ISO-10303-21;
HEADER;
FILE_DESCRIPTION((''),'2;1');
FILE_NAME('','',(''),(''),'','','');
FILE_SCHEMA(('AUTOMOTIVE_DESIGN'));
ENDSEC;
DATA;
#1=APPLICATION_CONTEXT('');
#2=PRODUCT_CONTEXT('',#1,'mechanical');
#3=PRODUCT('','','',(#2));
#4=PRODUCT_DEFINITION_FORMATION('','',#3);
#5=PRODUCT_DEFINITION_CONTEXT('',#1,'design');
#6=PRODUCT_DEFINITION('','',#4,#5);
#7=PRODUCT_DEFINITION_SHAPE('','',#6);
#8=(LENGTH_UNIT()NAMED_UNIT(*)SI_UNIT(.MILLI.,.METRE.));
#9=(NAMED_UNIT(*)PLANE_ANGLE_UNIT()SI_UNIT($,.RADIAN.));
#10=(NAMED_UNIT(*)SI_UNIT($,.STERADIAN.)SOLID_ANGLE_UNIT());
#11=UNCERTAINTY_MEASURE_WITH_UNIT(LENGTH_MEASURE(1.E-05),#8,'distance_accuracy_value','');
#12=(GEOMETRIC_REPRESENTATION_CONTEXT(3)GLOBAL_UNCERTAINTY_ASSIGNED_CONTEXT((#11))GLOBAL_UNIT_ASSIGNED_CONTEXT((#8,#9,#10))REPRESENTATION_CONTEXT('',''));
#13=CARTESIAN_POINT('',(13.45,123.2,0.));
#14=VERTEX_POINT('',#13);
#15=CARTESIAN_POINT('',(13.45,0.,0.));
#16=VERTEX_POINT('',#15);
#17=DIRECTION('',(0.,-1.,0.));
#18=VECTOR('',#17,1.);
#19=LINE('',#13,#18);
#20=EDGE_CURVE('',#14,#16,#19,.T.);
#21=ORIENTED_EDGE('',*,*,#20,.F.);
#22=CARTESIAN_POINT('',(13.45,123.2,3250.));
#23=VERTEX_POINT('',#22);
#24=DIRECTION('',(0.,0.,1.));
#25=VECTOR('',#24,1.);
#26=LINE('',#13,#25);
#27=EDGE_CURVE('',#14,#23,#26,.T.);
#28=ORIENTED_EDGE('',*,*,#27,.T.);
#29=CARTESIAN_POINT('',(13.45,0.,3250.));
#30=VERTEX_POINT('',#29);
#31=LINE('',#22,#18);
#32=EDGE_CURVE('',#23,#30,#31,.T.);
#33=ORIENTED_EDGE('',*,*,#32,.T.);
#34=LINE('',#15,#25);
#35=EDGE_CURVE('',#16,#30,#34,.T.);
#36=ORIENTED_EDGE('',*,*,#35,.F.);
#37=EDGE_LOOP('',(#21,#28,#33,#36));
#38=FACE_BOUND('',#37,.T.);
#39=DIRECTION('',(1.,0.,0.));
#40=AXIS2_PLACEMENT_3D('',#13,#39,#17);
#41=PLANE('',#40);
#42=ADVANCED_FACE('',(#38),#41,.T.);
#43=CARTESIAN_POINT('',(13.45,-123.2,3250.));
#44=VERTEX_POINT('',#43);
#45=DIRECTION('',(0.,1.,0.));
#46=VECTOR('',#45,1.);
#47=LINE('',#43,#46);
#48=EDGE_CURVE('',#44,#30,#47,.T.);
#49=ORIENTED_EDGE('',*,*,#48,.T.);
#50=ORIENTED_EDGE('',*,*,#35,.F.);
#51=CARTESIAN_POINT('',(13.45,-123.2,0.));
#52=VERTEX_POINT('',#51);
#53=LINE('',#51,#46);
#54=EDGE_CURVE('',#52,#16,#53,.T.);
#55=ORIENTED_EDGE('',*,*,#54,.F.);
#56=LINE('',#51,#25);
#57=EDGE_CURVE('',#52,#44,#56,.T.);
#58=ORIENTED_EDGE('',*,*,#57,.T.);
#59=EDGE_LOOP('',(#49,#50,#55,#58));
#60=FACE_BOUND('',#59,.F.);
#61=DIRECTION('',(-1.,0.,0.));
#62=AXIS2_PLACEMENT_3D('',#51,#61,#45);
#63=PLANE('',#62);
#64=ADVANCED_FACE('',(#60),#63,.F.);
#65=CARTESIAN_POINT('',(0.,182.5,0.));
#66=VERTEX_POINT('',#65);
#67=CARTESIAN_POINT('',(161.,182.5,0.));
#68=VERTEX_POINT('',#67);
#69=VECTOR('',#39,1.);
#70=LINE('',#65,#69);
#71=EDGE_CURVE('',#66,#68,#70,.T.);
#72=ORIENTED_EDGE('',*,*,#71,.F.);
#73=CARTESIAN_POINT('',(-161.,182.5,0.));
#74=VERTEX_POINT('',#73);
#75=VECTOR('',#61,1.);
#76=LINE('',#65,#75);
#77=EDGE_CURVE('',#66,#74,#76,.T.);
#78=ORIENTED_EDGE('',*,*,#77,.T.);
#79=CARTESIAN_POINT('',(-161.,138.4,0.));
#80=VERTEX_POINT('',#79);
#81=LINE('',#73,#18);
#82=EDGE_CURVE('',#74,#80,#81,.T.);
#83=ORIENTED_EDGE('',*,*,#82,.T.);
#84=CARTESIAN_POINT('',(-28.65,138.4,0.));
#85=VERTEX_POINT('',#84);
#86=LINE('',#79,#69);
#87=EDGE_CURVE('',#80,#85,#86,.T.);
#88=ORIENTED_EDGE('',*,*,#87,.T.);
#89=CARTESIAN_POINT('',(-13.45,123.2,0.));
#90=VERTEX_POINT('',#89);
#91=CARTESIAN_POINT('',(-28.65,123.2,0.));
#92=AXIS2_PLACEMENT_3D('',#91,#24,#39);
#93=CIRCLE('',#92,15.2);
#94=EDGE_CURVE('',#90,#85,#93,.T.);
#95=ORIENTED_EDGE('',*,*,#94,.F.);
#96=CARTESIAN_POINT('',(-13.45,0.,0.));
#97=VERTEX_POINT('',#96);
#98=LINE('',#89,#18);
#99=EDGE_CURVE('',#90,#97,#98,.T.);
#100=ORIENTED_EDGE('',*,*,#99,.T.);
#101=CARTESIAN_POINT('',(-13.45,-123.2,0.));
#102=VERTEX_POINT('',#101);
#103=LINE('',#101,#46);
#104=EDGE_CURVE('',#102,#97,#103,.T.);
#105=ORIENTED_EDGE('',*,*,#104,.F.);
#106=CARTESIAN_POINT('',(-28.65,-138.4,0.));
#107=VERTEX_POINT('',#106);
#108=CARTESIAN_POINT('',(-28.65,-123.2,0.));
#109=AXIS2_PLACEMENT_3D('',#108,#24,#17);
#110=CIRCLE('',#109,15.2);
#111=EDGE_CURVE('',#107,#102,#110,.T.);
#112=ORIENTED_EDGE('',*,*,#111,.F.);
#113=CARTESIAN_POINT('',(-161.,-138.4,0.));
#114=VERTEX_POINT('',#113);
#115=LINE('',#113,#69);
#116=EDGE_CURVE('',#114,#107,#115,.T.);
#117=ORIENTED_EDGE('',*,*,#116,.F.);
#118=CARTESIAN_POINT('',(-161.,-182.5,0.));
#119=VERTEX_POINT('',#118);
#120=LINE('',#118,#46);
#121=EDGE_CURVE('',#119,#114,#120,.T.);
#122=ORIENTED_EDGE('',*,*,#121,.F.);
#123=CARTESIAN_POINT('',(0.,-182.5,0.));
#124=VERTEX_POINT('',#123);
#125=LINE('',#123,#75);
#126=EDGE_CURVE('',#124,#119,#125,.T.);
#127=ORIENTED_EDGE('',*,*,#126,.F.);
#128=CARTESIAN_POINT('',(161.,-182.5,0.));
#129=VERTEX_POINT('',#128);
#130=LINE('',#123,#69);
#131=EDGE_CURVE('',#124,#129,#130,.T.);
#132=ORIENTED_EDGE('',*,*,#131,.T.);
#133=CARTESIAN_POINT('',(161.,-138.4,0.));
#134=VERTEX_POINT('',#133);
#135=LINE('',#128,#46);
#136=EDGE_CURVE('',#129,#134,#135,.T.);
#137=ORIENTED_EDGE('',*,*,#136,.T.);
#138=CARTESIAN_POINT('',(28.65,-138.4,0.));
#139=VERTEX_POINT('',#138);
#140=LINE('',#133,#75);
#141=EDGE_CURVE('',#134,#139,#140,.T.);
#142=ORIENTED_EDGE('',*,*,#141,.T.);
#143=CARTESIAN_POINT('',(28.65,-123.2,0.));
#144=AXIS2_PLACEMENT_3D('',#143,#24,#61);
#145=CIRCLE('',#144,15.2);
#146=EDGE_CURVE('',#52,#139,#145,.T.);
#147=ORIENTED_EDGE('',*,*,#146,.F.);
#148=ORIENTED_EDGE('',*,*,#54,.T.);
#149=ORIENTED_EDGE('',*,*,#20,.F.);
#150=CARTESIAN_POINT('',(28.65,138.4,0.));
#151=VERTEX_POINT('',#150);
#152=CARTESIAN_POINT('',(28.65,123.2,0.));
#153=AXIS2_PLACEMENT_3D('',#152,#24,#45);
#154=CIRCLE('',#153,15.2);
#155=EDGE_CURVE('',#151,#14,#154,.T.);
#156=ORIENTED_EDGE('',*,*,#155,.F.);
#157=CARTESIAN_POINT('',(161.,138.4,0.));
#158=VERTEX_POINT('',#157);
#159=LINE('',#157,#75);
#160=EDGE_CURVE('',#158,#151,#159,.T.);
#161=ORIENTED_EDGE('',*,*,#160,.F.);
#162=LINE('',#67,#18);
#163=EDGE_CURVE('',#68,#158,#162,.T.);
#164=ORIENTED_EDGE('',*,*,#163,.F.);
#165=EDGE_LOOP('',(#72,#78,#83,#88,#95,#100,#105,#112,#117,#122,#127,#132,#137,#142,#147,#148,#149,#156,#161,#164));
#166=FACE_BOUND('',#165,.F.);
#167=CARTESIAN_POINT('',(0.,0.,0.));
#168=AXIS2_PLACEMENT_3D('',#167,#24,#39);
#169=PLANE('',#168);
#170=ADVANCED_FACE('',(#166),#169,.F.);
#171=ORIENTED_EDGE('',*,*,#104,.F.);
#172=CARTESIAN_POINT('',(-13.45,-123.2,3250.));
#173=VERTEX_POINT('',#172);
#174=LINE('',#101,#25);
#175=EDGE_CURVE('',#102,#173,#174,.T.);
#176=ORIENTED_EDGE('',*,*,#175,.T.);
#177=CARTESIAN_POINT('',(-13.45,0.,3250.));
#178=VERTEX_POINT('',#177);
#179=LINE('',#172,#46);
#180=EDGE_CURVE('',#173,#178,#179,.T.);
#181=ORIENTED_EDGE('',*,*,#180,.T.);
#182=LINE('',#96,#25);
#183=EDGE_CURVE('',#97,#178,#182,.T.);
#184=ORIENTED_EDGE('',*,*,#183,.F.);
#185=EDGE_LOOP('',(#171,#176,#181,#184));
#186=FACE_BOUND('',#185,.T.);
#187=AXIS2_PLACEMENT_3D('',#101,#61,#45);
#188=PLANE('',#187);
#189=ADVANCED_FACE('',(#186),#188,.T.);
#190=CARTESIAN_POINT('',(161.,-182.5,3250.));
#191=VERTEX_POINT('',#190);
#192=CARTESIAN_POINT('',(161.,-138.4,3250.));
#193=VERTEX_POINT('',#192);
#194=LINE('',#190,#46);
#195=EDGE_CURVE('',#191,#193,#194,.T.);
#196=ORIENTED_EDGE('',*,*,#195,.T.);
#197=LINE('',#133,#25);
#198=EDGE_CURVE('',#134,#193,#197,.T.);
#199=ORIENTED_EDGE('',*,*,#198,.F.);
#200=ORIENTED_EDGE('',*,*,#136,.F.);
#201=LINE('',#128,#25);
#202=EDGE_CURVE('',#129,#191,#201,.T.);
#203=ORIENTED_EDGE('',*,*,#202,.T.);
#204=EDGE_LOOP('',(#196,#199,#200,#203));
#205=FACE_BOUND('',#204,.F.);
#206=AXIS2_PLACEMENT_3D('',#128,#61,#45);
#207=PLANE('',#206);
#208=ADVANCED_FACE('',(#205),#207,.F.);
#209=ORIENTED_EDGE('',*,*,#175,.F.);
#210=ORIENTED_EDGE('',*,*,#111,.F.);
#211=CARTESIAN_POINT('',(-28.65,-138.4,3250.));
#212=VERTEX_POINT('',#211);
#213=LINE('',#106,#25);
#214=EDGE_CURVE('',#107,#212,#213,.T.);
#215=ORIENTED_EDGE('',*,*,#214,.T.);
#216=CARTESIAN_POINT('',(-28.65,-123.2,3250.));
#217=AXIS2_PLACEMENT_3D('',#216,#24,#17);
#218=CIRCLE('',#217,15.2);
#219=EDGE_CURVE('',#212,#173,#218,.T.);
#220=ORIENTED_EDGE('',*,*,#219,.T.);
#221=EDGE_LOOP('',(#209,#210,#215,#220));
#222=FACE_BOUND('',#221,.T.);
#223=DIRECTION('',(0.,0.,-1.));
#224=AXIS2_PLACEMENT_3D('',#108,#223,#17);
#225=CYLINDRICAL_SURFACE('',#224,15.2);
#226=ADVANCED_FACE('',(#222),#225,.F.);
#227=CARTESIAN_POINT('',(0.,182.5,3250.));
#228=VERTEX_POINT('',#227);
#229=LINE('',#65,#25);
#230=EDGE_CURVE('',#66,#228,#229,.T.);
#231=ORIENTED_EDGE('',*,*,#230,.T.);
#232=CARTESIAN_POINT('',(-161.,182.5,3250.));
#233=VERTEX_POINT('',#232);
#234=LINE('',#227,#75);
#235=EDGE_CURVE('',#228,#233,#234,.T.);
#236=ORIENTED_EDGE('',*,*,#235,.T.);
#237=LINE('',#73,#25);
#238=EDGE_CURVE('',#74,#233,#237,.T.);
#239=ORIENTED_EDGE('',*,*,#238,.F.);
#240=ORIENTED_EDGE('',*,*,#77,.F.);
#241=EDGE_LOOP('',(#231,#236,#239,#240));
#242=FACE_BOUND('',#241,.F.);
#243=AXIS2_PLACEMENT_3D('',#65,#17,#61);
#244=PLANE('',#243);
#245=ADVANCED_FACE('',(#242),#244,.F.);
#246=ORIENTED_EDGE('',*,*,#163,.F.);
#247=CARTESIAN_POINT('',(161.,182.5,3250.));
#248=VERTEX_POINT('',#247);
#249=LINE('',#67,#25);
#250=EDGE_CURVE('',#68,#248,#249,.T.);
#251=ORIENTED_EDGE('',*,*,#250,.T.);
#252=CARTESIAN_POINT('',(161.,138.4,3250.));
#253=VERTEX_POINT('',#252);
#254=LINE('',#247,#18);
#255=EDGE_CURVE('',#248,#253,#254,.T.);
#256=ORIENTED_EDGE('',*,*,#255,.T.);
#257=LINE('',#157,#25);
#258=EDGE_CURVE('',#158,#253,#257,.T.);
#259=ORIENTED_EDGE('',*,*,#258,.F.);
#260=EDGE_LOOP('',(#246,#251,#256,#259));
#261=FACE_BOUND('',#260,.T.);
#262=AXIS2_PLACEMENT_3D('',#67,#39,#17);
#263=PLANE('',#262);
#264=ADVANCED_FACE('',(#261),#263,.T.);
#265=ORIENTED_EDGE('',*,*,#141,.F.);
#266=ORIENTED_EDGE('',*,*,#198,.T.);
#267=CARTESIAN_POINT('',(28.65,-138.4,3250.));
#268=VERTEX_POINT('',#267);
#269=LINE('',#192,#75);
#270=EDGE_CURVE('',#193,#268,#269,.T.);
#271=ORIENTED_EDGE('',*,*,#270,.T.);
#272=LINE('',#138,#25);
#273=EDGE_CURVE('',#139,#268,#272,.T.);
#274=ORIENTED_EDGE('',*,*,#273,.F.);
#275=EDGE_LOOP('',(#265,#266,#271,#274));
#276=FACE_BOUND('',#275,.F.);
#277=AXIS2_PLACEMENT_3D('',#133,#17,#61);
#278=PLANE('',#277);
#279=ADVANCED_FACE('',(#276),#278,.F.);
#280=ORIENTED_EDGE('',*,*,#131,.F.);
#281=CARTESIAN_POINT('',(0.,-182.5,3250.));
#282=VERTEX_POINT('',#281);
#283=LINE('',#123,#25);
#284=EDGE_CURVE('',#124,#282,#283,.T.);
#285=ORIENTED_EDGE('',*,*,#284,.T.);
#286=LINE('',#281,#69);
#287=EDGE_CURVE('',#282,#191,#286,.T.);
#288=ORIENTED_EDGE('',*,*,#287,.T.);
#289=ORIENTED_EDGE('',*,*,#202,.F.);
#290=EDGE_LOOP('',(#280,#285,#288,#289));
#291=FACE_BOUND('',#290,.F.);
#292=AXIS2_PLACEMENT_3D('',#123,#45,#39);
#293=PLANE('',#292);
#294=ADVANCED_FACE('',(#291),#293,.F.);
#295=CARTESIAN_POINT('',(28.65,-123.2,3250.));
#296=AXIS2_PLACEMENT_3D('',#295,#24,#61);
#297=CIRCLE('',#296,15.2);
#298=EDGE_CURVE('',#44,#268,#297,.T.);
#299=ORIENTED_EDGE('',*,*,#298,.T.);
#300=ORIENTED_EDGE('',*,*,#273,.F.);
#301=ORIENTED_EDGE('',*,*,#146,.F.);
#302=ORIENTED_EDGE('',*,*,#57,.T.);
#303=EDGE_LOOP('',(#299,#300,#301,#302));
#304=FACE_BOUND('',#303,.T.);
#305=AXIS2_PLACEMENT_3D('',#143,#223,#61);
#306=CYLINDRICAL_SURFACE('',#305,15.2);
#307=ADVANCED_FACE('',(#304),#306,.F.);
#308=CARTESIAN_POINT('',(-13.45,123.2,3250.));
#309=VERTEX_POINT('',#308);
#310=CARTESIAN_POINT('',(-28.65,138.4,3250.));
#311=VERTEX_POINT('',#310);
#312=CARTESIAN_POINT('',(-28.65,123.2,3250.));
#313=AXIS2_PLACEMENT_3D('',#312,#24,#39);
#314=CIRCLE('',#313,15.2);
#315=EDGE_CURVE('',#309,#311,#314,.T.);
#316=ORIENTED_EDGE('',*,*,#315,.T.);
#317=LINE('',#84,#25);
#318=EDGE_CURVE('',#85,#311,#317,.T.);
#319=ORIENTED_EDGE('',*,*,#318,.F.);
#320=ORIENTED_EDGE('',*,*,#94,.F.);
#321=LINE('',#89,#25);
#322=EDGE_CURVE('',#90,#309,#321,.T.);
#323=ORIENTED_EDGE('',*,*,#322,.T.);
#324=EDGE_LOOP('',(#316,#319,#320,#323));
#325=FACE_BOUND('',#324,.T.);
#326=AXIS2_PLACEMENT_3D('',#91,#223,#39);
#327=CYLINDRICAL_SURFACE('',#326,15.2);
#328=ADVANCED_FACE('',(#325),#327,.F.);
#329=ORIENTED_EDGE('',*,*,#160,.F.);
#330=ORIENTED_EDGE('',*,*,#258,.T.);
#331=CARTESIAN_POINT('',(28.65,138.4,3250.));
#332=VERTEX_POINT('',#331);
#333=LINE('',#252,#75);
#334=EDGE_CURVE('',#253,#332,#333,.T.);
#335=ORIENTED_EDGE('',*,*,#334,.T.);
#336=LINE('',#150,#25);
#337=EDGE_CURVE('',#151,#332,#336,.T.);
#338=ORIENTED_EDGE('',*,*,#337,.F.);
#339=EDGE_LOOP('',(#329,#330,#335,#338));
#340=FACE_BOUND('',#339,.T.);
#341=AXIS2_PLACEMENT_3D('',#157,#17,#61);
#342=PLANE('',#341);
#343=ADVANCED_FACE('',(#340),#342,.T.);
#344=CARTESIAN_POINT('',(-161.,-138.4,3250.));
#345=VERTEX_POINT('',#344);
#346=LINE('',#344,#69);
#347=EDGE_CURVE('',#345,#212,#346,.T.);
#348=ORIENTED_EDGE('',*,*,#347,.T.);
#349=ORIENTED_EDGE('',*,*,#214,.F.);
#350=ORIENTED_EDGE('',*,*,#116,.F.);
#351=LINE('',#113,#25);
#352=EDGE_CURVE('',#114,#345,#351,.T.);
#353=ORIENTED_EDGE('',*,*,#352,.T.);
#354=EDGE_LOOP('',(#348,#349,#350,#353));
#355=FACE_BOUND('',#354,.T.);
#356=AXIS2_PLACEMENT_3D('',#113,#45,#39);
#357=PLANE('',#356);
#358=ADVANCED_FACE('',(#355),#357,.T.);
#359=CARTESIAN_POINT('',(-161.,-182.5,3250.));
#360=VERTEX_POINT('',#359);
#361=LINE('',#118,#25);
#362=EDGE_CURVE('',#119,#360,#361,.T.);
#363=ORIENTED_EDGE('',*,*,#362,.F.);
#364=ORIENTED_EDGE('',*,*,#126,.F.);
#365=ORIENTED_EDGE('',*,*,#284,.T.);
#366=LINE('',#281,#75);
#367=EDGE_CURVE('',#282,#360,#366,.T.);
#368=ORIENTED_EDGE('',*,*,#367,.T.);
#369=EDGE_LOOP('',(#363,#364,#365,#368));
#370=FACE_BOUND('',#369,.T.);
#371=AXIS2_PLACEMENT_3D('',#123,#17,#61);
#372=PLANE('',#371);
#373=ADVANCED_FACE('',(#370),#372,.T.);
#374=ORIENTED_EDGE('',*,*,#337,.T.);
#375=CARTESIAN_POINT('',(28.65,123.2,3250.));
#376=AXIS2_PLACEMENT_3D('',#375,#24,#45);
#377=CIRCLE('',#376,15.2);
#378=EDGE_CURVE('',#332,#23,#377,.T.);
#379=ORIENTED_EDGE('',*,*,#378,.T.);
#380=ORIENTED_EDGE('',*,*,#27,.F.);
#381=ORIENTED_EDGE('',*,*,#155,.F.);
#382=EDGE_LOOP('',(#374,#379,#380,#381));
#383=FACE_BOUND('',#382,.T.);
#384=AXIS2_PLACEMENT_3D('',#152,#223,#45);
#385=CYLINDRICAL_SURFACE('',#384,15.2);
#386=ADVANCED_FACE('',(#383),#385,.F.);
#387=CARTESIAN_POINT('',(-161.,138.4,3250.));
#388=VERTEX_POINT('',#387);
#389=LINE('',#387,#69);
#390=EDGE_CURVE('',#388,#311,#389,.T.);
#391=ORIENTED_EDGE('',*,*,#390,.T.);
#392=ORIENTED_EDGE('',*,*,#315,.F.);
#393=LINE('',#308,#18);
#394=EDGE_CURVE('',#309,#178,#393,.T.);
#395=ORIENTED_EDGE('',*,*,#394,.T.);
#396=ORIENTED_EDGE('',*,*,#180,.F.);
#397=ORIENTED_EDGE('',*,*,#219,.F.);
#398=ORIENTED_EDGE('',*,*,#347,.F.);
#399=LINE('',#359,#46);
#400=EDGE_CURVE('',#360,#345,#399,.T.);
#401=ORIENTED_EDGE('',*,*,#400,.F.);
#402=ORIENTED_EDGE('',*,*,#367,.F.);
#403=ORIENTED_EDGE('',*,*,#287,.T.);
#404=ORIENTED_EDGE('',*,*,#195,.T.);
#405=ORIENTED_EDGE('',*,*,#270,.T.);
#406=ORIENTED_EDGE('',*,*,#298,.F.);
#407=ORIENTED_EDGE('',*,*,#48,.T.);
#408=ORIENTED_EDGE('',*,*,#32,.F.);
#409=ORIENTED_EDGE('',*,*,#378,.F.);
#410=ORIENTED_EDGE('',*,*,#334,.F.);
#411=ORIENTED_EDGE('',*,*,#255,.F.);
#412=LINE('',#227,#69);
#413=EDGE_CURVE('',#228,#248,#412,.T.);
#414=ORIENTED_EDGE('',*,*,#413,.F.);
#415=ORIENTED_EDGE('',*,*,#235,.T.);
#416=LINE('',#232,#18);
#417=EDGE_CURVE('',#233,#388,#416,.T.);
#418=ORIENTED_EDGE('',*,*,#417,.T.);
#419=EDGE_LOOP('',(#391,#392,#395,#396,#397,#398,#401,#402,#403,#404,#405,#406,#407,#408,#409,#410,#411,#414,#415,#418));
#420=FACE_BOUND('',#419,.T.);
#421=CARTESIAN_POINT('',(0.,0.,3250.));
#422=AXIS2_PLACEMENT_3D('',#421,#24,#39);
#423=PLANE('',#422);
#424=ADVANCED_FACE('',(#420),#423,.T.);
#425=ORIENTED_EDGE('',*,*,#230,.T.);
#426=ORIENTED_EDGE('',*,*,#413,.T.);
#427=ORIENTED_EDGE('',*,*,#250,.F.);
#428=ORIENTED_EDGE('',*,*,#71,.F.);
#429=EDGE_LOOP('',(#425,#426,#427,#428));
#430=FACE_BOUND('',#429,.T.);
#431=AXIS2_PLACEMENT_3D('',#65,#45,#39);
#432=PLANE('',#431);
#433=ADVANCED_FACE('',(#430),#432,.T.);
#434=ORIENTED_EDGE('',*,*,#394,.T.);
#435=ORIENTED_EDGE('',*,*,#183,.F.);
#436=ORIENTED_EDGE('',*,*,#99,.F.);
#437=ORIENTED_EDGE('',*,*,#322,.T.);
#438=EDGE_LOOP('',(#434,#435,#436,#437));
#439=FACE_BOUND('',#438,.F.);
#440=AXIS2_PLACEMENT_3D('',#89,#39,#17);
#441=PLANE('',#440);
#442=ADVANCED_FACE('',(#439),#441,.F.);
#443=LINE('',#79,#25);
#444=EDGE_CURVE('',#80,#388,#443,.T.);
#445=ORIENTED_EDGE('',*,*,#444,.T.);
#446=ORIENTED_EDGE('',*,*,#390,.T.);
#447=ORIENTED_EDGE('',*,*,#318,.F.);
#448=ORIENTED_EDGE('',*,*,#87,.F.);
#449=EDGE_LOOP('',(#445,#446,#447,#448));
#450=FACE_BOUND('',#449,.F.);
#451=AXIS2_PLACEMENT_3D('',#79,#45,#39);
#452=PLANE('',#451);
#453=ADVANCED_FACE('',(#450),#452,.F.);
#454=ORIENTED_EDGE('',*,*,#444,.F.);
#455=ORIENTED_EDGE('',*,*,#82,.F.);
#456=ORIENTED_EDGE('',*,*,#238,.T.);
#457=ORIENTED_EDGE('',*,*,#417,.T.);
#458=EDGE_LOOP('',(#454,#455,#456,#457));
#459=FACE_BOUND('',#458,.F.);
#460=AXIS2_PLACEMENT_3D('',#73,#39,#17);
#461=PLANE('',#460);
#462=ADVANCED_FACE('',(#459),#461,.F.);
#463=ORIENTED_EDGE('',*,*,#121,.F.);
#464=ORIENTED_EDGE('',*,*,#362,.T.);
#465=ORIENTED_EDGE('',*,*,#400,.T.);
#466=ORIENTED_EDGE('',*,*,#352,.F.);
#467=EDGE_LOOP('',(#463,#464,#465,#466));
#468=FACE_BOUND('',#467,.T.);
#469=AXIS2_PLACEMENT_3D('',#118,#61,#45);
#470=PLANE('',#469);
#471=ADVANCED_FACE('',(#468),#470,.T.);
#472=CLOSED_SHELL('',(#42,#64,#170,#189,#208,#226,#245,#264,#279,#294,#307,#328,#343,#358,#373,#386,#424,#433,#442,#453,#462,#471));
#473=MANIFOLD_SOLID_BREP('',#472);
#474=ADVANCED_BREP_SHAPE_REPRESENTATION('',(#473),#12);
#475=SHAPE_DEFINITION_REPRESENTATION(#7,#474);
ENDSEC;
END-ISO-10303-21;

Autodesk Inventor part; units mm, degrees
ref_plane "YZ Plane" through (0, 0, 0) normal (1, 0, 0) x (0, 1, 0)
ref_plane "Start plane" through (0, 0, 0) normal (0, 0, 1) x (1, 0, 0)
ref_plane "End plane" through (0, 0, 3250) normal (0, 0, 1) x (1, 0, 0)
sketch "Sketch" plane through (0, 0, 0) normal (0, 0, 1) x (1, 0, 0)
  line L0 (-161, -182.5) -> (-161, -138.4)
  line L1 (-161, -138.4) -> (-28.65, -138.4)
  line L2 (-13.45, -123.2) -> (-13.45, 0)
  line L3 (-13.45, 0) -> (0, 0) construction
  line L4 (0, 0) -> (0, -182.5) construction
  line L5 (0, -182.5) -> (-161, -182.5)
  line L6 (-60, 0) -> (80, 0) construction
  line L7 (0, -60) -> (0, 80) construction
  line L8 (161, -182.5) -> (161, -138.4)
  line L9 (161, -138.4) -> (28.65, -138.4)
  line L10 (13.45, -123.2) -> (13.45, 0)
  line L11 (13.45, 0) -> (0, 0) construction
  line L12 (0, -182.5) -> (161, -182.5)
  line L13 (-161, 182.5) -> (-161, 138.4)
  line L14 (-161, 138.4) -> (-28.65, 138.4)
  line L15 (-13.45, 123.2) -> (-13.45, 0)
  line L16 (0, 182.5) -> (-161, 182.5)
  line L17 (161, 182.5) -> (161, 138.4)
  line L18 (161, 138.4) -> (28.65, 138.4)
  line L19 (0, 182.5) -> (161, 182.5)
  line L20 (13.45, 123.2) -> (13.45, 0)
  arc A0 (-13.45, 123.2) -> (-28.65, 138.4) centre (-28.65, 123.2) ccw
  arc A1 (28.65, 138.4) -> (13.45, 123.2) centre (28.65, 123.2) ccw
  arc A2 (13.45, -123.2) -> (28.65, -138.4) centre (28.65, -123.2) ccw
  arc A3 (-28.65, -138.4) -> (-13.45, -123.2) centre (-28.65, -123.2) ccw
  line L21 (0, 108) -> (0, -88) construction
  line L22 (-88, 0) -> (108, 0) construction
  point P0 (-13.45, -138.4)
  point P1 (13.45, -138.4)
  point P2 (-13.45, 138.4)
  point P3 (13.45, 138.4)
  dimension "d1" = 182.5
  dimension "d2" = 44.1
  dimension "d3" = 161
  dimension "d4" = 13.45
  dimension "d10" = 15.2
extrude "Body" add sketch "Sketch" along normal up to surface (3250 mm away) from surface at 0
sketch "Sketch4" plane through (0, 0, 0) normal (0, 0, 1) x (1, 0, 0)
  line L0 (0, 0) -> (10, 0)
ref_plane "Work Plane3" through (0, 0, 0) normal (0, -1, 0) x (1, 0, 0)
sketch "Sketch5" plane through (0, 0, 0) normal (0, -1, 0) x (1, 0, 0)
  line L0 (-2, 0) -> (12, 0) projected
  line L1 (-2, 3250) -> (12, 3250) projected
  dimension "d14" = 3250
equation "\"d1\" = 0.5 * G_H"
equation "\"d2\" = G_T1"
equation "\"d3\" = 0.5 * G_W"
equation "\"d4\" = 0.5 * G_T"
equation "\"d10\" = G_IR"
equation "\"d5\" = G_L"
equation "\"G_W\" = 322"
equation "\"G_H\" = 365"
equation "\"G_T\" = 26.9"
equation "\"G_T1\" = 44.1"
equation "\"G_IR\" = 15.2"
equation "\"G_L\" = d14"
equation "\"G_OFFSET_START\" = 0"
equation "\"G_OFFSET_END\" = 0"
properties part number "AS 3679 - 310 UC - 283 - 3250" material "Steel, Mild"
